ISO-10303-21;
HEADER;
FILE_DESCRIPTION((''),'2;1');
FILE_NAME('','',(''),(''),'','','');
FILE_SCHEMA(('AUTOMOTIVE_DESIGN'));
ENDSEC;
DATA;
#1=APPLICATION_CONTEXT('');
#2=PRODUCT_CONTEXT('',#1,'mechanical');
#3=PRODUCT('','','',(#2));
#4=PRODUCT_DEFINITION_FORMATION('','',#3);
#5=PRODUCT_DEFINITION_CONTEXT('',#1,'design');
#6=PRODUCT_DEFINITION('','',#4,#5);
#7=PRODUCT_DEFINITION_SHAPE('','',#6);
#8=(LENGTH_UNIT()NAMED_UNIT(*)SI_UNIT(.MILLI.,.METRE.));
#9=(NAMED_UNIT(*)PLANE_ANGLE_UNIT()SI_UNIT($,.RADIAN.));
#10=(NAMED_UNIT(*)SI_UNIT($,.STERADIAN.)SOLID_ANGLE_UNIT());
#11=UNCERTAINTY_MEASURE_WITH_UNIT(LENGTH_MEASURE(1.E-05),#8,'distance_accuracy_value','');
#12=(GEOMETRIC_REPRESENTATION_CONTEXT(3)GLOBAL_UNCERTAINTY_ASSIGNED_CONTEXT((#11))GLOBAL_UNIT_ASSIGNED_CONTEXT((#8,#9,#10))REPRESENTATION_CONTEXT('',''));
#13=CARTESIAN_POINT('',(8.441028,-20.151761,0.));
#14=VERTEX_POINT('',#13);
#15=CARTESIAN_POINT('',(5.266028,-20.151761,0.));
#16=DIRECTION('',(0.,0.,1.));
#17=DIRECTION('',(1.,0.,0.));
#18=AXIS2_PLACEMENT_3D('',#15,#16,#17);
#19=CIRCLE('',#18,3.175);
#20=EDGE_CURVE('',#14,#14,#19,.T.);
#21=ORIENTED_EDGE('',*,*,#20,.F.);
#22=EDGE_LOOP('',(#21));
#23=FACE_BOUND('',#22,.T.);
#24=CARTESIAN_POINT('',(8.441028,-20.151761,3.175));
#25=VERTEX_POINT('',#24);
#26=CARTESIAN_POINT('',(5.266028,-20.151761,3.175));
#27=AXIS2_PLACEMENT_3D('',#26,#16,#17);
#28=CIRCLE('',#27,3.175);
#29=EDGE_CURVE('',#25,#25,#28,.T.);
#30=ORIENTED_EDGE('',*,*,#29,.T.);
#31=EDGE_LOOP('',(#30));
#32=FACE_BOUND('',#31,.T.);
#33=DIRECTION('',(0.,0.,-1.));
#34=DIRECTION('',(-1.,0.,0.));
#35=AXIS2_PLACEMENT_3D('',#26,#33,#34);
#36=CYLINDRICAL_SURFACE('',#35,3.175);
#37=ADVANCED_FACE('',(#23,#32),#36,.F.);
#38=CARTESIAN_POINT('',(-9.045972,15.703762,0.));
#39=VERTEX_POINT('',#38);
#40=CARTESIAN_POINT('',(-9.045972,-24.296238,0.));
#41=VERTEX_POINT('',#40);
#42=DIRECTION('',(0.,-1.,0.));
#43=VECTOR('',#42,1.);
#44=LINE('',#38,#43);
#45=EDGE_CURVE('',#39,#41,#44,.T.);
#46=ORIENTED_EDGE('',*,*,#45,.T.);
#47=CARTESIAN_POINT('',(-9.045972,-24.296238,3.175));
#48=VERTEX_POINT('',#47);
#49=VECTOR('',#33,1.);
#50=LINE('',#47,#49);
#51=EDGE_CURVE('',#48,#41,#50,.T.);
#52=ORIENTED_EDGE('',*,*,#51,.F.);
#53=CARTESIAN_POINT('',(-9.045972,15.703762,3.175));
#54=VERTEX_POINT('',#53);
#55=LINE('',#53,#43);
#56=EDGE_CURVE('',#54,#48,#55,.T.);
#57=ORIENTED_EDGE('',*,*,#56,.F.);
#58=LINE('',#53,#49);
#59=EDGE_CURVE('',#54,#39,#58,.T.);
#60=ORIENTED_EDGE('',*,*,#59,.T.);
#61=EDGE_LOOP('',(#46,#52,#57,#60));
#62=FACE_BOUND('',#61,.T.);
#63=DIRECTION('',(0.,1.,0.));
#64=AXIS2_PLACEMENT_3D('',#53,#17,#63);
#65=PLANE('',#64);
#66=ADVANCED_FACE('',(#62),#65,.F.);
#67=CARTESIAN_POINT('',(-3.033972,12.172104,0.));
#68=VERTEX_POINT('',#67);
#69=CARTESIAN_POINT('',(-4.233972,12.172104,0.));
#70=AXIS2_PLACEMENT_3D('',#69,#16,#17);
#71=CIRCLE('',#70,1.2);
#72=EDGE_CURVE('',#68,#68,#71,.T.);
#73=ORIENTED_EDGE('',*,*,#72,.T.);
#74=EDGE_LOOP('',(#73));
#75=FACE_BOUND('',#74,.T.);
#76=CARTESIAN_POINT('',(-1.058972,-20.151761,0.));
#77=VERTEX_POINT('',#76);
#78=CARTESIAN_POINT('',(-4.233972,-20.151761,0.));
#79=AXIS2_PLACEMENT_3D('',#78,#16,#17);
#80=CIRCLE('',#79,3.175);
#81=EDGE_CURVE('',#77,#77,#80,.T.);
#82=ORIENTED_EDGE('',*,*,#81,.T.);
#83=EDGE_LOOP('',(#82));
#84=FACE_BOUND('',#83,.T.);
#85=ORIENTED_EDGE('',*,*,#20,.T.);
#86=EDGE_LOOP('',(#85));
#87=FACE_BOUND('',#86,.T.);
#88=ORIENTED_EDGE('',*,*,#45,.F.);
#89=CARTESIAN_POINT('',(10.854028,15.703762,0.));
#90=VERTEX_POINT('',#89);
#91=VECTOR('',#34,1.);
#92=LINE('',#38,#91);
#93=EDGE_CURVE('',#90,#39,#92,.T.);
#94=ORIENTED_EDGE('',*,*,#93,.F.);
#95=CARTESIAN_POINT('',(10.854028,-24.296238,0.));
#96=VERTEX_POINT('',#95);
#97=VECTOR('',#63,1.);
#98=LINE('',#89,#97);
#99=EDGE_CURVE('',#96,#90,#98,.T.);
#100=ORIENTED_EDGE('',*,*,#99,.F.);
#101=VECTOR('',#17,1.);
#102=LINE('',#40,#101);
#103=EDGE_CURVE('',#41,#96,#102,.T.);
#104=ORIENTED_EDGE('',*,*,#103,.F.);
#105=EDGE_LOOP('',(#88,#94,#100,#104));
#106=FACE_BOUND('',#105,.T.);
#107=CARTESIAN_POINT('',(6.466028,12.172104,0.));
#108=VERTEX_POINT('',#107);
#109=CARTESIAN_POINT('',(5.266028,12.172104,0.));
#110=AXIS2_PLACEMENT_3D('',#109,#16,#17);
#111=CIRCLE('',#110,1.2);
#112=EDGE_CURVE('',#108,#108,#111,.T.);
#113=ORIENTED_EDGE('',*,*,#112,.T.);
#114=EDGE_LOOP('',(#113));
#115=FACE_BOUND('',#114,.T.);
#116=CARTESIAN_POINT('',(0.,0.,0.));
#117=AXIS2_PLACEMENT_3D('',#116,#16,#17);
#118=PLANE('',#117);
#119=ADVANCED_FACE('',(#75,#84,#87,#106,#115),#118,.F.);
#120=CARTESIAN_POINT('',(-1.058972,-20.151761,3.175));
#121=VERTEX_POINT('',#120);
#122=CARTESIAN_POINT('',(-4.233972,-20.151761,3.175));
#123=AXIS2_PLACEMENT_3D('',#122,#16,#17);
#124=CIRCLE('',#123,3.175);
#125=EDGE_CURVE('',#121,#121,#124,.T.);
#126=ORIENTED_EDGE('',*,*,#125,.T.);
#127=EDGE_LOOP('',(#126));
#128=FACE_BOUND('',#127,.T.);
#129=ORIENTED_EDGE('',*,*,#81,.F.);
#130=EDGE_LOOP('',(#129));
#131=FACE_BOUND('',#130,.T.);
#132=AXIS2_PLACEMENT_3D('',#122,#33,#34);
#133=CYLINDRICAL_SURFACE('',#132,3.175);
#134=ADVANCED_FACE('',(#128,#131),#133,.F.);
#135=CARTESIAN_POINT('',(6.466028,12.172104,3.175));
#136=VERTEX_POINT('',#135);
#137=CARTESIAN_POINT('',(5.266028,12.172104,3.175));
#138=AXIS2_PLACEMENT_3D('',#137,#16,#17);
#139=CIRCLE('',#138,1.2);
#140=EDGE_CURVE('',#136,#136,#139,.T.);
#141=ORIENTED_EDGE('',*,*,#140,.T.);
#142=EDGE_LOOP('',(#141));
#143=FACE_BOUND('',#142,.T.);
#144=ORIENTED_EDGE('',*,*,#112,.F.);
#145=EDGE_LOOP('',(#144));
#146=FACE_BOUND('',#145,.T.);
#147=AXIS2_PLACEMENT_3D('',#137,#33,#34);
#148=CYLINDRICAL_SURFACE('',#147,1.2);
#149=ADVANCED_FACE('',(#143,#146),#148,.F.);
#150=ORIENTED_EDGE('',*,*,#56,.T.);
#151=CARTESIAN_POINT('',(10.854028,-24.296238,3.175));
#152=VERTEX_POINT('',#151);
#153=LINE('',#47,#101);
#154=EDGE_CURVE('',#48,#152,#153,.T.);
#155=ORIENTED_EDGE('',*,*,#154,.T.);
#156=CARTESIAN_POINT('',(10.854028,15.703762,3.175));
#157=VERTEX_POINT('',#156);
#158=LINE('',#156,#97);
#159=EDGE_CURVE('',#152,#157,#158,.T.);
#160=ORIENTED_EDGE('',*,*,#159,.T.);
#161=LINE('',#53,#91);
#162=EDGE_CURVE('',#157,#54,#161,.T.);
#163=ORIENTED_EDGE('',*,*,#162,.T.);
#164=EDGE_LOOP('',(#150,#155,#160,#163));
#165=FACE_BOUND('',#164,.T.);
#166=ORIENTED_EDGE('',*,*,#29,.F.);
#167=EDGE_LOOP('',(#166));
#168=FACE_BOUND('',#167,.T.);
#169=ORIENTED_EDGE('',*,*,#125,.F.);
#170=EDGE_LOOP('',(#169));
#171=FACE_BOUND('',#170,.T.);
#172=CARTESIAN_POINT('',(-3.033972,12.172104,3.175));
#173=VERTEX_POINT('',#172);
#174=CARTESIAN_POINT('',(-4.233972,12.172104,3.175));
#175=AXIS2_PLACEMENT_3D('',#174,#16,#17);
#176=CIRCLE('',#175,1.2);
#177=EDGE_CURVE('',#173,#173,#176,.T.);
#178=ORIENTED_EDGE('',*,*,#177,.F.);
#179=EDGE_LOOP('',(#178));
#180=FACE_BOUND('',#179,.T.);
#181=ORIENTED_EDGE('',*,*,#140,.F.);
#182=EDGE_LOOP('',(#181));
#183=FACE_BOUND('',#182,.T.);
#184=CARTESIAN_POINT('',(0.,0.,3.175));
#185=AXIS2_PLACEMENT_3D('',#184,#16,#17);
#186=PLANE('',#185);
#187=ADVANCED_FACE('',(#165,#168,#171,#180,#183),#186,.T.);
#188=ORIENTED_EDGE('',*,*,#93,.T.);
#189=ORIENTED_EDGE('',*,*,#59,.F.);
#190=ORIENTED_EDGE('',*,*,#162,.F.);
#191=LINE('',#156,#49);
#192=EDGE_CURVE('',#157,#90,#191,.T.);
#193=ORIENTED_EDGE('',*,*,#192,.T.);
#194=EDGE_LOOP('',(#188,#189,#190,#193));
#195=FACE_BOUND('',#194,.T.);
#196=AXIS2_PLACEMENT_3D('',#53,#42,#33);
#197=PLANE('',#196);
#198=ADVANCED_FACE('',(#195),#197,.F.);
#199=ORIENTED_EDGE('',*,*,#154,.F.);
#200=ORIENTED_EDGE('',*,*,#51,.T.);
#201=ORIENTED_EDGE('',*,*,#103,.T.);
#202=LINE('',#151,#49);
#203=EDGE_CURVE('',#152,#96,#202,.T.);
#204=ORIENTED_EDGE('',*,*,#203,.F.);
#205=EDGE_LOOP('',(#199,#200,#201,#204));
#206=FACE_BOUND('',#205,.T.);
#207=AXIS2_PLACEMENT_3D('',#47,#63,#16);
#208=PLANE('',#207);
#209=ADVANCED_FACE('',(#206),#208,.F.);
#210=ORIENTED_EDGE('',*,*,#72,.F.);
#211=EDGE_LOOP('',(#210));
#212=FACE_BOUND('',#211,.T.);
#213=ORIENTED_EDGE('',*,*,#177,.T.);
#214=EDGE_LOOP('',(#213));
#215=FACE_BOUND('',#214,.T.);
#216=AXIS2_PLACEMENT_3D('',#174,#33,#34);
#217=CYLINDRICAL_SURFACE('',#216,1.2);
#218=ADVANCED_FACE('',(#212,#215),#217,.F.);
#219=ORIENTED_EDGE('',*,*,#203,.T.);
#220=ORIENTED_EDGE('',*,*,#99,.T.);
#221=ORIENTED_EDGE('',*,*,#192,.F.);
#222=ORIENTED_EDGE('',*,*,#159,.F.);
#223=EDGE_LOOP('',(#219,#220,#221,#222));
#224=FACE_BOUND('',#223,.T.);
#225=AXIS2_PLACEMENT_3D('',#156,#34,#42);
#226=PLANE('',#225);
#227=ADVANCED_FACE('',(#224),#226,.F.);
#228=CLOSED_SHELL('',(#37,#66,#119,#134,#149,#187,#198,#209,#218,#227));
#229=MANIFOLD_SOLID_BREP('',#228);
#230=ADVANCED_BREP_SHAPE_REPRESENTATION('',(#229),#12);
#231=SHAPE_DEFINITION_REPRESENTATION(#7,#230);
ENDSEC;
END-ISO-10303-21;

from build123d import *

# Parameters (mm, degrees)
SKETCH1_W           = 19.9
SKETCH1_H           = 40
SKETCH1_R           = 1.2
SKETCH1_R_2         = 3.175
BOSS_EXTRUDE1_DEPTH = 3.175


with BuildPart() as part:
    # Sketch1 → Boss-Extrude1 (new body)
    with BuildSketch(Plane.XY):
        with Locations((0.904028138, -4.296238371)):
            Rectangle(SKETCH1_W, SKETCH1_H)
        with Locations((-4.233971862, 12.17210412)):
            Circle(SKETCH1_R, mode=Mode.SUBTRACT)
        with Locations((5.266028138, 12.17210412)):
            Circle(SKETCH1_R, mode=Mode.SUBTRACT)
        with Locations((-4.233971862, -20.151760944)):
            Circle(SKETCH1_R_2, mode=Mode.SUBTRACT)
        with Locations((5.266028138, -20.151760944)):
            Circle(SKETCH1_R_2, mode=Mode.SUBTRACT)
    extrude(amount=BOSS_EXTRUDE1_DEPTH)


solid = part.part
